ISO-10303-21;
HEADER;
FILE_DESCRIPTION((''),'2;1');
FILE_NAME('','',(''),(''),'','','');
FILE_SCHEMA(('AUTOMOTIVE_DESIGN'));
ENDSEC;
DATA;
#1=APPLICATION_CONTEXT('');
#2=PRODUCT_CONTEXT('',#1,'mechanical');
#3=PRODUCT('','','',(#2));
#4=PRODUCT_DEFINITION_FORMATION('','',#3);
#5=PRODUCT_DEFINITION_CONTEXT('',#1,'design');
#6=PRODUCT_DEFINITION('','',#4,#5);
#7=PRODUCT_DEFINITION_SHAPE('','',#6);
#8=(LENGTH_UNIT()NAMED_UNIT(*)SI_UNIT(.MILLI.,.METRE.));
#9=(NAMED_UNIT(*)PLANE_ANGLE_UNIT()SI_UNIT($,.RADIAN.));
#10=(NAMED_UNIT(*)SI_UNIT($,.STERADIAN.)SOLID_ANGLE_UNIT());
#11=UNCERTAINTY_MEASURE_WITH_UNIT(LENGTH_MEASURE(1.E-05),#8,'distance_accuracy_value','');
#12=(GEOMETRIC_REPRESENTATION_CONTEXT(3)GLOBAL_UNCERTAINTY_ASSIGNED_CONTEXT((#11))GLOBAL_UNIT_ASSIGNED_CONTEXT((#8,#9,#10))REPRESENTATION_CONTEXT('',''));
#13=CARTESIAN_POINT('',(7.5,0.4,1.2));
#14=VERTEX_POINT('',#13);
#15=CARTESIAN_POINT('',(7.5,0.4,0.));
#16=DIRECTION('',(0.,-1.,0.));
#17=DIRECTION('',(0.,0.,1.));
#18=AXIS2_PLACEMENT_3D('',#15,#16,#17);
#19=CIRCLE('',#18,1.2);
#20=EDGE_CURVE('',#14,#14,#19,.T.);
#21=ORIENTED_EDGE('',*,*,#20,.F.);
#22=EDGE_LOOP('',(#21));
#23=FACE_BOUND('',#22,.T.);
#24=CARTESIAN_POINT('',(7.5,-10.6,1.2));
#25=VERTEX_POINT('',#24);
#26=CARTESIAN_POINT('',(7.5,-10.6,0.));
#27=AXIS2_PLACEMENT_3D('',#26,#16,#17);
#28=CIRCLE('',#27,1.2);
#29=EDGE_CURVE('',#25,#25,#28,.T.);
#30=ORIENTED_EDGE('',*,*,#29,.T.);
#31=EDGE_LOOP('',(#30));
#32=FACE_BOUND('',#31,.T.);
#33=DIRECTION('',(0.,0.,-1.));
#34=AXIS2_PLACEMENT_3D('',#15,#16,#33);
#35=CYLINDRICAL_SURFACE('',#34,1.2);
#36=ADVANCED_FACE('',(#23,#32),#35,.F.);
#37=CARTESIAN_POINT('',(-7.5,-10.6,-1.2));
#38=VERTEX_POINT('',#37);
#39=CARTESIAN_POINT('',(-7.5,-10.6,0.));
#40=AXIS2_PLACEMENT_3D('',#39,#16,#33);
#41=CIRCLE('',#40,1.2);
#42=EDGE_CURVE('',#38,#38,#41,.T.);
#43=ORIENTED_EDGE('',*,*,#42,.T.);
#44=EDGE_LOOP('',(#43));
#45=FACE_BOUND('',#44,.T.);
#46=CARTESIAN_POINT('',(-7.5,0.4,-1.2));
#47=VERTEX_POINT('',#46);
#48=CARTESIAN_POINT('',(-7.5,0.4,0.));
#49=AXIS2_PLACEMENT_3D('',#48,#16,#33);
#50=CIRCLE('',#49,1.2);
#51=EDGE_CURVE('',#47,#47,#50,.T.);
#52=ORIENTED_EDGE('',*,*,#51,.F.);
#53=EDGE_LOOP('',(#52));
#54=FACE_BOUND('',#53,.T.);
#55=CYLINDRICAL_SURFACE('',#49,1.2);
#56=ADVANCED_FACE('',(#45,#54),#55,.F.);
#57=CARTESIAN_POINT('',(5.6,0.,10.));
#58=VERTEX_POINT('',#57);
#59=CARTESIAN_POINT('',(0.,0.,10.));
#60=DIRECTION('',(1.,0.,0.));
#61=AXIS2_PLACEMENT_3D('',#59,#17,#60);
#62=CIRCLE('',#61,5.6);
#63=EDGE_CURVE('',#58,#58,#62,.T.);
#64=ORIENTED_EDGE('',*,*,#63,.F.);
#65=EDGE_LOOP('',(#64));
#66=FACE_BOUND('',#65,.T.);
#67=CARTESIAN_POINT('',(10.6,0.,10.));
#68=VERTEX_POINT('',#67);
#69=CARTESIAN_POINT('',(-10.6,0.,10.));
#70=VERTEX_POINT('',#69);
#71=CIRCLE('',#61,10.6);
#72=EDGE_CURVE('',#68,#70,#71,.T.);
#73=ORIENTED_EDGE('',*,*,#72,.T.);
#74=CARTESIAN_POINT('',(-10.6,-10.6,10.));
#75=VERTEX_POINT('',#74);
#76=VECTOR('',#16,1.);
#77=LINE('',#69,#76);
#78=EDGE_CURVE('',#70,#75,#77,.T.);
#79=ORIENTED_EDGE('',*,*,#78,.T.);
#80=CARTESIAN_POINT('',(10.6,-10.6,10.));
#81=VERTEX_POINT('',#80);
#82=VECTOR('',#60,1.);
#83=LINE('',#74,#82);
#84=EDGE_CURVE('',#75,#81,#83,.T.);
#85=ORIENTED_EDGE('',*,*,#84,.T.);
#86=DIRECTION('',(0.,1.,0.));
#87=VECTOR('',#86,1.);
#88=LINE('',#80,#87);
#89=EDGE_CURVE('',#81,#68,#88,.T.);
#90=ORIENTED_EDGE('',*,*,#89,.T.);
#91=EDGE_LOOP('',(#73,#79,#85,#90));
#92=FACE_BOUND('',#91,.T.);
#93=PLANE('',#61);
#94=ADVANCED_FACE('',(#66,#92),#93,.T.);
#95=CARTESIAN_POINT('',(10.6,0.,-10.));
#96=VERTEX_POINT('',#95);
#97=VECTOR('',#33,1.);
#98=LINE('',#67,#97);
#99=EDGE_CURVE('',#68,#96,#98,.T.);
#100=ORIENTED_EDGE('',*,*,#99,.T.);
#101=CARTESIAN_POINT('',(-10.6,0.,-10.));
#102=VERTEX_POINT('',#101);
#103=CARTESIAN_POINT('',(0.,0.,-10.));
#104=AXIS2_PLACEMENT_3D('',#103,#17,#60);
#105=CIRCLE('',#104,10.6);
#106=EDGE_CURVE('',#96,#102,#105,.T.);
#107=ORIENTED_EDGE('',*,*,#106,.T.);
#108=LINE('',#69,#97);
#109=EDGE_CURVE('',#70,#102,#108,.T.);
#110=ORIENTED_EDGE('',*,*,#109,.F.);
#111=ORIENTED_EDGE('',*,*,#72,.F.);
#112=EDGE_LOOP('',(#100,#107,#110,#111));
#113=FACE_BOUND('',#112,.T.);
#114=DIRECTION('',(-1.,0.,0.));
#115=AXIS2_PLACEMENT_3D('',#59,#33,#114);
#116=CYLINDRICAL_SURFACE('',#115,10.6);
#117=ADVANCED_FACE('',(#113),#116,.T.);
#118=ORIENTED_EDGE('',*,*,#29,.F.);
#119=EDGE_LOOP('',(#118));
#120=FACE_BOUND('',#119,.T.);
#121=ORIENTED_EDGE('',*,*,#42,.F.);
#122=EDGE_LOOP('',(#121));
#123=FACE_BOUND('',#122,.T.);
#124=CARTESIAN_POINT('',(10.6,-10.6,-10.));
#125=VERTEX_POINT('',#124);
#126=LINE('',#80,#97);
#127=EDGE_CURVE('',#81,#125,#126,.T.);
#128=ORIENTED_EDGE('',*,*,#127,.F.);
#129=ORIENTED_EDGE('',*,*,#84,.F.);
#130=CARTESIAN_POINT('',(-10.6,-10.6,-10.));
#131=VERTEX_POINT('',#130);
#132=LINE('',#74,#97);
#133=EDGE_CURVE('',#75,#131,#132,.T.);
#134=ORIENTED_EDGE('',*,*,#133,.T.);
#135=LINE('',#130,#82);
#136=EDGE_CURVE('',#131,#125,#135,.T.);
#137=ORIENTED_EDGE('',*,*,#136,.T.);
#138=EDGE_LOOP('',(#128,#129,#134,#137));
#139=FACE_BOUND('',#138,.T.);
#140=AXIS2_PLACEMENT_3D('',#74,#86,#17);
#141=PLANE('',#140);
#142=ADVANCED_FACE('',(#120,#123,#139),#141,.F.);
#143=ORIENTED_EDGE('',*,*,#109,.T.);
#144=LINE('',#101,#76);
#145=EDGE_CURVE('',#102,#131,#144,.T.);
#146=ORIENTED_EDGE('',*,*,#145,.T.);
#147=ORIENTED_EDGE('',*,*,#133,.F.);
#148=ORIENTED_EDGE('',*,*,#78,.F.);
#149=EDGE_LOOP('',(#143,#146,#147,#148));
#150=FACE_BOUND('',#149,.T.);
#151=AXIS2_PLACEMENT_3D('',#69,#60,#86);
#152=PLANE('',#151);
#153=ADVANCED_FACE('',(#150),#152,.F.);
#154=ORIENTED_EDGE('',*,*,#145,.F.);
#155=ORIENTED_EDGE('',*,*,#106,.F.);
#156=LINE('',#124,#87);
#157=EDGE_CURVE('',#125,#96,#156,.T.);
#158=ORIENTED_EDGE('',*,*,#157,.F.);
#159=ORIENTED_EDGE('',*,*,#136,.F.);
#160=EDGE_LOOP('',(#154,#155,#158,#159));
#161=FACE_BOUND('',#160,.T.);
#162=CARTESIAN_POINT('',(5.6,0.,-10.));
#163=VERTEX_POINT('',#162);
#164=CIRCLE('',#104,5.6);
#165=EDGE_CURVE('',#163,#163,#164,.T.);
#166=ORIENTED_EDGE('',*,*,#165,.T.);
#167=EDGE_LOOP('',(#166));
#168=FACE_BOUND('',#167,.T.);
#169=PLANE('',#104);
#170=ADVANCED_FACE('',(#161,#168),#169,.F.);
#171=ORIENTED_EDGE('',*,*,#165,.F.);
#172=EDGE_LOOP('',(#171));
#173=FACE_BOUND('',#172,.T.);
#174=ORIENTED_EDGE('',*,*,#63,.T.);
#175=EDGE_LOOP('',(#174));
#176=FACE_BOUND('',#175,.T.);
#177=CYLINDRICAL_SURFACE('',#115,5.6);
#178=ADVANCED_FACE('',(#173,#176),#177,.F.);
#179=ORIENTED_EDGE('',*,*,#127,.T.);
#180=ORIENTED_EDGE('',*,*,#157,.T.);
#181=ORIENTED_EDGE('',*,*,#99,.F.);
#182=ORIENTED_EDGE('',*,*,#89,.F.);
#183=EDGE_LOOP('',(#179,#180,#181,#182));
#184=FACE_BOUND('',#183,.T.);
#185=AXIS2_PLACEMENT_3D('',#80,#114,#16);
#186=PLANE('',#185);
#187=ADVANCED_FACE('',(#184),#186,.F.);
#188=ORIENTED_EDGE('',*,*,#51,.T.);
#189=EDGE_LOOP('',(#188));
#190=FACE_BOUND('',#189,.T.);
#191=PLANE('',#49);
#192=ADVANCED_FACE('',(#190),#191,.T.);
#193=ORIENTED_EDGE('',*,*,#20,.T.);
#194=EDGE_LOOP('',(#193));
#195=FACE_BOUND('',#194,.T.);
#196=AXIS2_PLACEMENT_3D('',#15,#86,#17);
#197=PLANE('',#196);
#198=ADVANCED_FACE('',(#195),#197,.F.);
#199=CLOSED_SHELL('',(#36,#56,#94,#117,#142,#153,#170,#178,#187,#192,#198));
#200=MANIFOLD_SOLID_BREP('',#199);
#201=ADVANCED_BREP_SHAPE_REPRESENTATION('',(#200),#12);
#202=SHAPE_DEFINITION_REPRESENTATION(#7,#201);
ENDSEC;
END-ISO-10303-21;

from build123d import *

# Parameters (mm, degrees)
SKETCH_1_R            = 5.6
EXTRUDE_394_DEPTH     = 10
SKETCH_3_R            = 1.2
CUT_EXTRUDE_678_DEPTH = 11


with BuildPart() as part:
    # Эскиз1 → Extrude 394 (new, symmetric)
    with BuildSketch(Plane.XY):
        with BuildLine():
            Line((-10.6, 0), (-10.6, -10.6))
            Line((-10.6, -10.6), (10.6, -10.6))
            Line((10.6, -10.6), (10.6, 0))
            ThreePointArc((10.6, 0), (0, 10.6), (-10.6, 0))
        make_face()
        Circle(SKETCH_1_R, mode=Mode.SUBTRACT)
    extrude(amount=EXTRUDE_394_DEPTH, both=True)

    # Эскиз3 → Cut-Extrude 678 (cut)
    with BuildSketch(Plane.XZ.offset(10.6)):
        with Locations(Location((-7.5, 0, 0), (0, 0, 270))):
            Circle(SKETCH_3_R)
        with Locations(Location((7.5, 0, 0), (0, 0, 90))):
            Circle(SKETCH_3_R)
    extrude(amount=-CUT_EXTRUDE_678_DEPTH, mode=Mode.SUBTRACT)


solid = part.part
